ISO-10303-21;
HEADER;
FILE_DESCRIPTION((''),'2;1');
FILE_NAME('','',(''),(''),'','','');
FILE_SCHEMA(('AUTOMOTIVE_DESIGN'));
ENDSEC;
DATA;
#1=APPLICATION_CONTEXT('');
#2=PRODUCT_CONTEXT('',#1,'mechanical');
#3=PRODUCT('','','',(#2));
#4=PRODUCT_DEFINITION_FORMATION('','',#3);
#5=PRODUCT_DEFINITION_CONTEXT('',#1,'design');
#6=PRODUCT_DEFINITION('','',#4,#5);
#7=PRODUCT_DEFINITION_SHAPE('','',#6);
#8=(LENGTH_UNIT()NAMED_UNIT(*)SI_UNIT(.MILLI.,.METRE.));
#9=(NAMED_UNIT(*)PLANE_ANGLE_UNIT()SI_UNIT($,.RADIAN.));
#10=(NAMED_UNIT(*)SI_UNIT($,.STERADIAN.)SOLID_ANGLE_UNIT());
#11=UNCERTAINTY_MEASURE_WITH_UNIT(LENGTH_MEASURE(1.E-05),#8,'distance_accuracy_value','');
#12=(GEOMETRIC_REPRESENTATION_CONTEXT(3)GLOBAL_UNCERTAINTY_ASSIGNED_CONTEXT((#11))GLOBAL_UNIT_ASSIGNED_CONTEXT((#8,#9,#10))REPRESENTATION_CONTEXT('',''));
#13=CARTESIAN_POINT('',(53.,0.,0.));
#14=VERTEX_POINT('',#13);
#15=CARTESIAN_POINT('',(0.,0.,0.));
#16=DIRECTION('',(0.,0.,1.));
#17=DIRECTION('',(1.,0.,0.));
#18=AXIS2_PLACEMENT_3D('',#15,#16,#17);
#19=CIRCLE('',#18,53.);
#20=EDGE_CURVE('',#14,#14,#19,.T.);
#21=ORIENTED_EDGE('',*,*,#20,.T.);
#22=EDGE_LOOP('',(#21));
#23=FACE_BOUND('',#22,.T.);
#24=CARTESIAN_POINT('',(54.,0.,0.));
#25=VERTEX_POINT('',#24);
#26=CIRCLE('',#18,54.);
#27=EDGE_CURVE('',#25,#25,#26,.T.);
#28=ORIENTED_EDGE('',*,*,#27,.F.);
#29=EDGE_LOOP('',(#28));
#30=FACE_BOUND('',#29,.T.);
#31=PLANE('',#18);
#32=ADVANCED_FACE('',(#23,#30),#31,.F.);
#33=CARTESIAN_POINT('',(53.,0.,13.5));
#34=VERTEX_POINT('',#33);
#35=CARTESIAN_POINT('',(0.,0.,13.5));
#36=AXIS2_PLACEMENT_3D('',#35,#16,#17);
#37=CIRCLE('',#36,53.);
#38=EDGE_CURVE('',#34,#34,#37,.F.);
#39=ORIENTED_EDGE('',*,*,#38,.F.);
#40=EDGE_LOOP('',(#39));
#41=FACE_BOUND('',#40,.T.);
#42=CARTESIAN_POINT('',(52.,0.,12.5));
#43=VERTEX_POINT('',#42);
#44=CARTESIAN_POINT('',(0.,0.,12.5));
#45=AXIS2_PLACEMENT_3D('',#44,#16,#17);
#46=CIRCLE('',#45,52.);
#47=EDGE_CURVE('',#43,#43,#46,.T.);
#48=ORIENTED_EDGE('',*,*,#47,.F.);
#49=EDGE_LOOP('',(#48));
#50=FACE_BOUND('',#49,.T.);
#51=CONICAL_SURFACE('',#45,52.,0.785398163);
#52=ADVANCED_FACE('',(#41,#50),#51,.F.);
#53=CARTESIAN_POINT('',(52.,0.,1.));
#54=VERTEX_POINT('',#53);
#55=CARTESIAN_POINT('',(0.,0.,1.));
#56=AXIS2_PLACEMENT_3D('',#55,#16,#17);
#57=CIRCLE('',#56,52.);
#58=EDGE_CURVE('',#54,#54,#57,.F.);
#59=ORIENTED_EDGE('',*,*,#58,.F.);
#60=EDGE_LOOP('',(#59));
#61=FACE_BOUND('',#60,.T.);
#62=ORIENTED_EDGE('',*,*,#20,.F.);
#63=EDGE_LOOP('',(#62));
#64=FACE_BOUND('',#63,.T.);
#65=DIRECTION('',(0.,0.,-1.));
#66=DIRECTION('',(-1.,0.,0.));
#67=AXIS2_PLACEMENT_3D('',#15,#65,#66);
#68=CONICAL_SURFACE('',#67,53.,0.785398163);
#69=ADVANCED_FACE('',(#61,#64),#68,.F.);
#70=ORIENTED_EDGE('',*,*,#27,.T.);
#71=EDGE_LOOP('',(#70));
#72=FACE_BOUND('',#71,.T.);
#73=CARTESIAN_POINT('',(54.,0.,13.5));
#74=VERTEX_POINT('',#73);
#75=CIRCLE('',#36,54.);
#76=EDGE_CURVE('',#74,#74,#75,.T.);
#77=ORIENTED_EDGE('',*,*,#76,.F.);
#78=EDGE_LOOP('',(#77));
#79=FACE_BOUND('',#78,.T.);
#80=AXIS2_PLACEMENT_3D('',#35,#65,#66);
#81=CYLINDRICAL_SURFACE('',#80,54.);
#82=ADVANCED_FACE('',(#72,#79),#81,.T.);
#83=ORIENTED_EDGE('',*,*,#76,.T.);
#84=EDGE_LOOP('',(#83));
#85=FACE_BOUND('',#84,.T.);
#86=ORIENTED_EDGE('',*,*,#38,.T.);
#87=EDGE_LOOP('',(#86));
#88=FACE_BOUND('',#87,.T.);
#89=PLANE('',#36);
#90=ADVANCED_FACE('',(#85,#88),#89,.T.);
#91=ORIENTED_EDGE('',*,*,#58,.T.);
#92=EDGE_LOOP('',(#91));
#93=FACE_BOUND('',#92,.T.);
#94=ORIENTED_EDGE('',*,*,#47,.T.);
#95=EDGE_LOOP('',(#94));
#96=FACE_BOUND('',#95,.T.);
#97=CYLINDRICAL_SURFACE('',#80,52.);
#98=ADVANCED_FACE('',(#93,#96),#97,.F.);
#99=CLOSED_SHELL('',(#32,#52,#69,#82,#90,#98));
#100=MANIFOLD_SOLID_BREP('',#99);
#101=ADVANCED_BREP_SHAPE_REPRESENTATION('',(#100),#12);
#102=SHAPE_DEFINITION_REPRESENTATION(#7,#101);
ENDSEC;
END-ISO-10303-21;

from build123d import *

# Parameters (mm, degrees)
SZKIC1_R                    = 54
SZKIC1_R_2                  = 52
DODANIE_WYCI_GNI_CIE1_DEPTH = 13.5
SFAZOWANIE1_SIZE            = 1


with BuildPart() as part:
    # Szkic1 → Dodanie-wyciągnięcie1 (new body)
    with BuildSketch(Plane.XY):
        Circle(SZKIC1_R)
        Circle(SZKIC1_R_2, mode=Mode.SUBTRACT)
    extrude(amount=DODANIE_WYCI_GNI_CIE1_DEPTH)

    # Sfazowanie1
    sfazowanie1_edges = [part.edges().sort_by_distance(p)[0] for p in [
        (-52, 0, 0),
        (-52, 0, 13.5),
    ]]
    chamfer(sfazowanie1_edges, length=SFAZOWANIE1_SIZE)


solid = part.part
